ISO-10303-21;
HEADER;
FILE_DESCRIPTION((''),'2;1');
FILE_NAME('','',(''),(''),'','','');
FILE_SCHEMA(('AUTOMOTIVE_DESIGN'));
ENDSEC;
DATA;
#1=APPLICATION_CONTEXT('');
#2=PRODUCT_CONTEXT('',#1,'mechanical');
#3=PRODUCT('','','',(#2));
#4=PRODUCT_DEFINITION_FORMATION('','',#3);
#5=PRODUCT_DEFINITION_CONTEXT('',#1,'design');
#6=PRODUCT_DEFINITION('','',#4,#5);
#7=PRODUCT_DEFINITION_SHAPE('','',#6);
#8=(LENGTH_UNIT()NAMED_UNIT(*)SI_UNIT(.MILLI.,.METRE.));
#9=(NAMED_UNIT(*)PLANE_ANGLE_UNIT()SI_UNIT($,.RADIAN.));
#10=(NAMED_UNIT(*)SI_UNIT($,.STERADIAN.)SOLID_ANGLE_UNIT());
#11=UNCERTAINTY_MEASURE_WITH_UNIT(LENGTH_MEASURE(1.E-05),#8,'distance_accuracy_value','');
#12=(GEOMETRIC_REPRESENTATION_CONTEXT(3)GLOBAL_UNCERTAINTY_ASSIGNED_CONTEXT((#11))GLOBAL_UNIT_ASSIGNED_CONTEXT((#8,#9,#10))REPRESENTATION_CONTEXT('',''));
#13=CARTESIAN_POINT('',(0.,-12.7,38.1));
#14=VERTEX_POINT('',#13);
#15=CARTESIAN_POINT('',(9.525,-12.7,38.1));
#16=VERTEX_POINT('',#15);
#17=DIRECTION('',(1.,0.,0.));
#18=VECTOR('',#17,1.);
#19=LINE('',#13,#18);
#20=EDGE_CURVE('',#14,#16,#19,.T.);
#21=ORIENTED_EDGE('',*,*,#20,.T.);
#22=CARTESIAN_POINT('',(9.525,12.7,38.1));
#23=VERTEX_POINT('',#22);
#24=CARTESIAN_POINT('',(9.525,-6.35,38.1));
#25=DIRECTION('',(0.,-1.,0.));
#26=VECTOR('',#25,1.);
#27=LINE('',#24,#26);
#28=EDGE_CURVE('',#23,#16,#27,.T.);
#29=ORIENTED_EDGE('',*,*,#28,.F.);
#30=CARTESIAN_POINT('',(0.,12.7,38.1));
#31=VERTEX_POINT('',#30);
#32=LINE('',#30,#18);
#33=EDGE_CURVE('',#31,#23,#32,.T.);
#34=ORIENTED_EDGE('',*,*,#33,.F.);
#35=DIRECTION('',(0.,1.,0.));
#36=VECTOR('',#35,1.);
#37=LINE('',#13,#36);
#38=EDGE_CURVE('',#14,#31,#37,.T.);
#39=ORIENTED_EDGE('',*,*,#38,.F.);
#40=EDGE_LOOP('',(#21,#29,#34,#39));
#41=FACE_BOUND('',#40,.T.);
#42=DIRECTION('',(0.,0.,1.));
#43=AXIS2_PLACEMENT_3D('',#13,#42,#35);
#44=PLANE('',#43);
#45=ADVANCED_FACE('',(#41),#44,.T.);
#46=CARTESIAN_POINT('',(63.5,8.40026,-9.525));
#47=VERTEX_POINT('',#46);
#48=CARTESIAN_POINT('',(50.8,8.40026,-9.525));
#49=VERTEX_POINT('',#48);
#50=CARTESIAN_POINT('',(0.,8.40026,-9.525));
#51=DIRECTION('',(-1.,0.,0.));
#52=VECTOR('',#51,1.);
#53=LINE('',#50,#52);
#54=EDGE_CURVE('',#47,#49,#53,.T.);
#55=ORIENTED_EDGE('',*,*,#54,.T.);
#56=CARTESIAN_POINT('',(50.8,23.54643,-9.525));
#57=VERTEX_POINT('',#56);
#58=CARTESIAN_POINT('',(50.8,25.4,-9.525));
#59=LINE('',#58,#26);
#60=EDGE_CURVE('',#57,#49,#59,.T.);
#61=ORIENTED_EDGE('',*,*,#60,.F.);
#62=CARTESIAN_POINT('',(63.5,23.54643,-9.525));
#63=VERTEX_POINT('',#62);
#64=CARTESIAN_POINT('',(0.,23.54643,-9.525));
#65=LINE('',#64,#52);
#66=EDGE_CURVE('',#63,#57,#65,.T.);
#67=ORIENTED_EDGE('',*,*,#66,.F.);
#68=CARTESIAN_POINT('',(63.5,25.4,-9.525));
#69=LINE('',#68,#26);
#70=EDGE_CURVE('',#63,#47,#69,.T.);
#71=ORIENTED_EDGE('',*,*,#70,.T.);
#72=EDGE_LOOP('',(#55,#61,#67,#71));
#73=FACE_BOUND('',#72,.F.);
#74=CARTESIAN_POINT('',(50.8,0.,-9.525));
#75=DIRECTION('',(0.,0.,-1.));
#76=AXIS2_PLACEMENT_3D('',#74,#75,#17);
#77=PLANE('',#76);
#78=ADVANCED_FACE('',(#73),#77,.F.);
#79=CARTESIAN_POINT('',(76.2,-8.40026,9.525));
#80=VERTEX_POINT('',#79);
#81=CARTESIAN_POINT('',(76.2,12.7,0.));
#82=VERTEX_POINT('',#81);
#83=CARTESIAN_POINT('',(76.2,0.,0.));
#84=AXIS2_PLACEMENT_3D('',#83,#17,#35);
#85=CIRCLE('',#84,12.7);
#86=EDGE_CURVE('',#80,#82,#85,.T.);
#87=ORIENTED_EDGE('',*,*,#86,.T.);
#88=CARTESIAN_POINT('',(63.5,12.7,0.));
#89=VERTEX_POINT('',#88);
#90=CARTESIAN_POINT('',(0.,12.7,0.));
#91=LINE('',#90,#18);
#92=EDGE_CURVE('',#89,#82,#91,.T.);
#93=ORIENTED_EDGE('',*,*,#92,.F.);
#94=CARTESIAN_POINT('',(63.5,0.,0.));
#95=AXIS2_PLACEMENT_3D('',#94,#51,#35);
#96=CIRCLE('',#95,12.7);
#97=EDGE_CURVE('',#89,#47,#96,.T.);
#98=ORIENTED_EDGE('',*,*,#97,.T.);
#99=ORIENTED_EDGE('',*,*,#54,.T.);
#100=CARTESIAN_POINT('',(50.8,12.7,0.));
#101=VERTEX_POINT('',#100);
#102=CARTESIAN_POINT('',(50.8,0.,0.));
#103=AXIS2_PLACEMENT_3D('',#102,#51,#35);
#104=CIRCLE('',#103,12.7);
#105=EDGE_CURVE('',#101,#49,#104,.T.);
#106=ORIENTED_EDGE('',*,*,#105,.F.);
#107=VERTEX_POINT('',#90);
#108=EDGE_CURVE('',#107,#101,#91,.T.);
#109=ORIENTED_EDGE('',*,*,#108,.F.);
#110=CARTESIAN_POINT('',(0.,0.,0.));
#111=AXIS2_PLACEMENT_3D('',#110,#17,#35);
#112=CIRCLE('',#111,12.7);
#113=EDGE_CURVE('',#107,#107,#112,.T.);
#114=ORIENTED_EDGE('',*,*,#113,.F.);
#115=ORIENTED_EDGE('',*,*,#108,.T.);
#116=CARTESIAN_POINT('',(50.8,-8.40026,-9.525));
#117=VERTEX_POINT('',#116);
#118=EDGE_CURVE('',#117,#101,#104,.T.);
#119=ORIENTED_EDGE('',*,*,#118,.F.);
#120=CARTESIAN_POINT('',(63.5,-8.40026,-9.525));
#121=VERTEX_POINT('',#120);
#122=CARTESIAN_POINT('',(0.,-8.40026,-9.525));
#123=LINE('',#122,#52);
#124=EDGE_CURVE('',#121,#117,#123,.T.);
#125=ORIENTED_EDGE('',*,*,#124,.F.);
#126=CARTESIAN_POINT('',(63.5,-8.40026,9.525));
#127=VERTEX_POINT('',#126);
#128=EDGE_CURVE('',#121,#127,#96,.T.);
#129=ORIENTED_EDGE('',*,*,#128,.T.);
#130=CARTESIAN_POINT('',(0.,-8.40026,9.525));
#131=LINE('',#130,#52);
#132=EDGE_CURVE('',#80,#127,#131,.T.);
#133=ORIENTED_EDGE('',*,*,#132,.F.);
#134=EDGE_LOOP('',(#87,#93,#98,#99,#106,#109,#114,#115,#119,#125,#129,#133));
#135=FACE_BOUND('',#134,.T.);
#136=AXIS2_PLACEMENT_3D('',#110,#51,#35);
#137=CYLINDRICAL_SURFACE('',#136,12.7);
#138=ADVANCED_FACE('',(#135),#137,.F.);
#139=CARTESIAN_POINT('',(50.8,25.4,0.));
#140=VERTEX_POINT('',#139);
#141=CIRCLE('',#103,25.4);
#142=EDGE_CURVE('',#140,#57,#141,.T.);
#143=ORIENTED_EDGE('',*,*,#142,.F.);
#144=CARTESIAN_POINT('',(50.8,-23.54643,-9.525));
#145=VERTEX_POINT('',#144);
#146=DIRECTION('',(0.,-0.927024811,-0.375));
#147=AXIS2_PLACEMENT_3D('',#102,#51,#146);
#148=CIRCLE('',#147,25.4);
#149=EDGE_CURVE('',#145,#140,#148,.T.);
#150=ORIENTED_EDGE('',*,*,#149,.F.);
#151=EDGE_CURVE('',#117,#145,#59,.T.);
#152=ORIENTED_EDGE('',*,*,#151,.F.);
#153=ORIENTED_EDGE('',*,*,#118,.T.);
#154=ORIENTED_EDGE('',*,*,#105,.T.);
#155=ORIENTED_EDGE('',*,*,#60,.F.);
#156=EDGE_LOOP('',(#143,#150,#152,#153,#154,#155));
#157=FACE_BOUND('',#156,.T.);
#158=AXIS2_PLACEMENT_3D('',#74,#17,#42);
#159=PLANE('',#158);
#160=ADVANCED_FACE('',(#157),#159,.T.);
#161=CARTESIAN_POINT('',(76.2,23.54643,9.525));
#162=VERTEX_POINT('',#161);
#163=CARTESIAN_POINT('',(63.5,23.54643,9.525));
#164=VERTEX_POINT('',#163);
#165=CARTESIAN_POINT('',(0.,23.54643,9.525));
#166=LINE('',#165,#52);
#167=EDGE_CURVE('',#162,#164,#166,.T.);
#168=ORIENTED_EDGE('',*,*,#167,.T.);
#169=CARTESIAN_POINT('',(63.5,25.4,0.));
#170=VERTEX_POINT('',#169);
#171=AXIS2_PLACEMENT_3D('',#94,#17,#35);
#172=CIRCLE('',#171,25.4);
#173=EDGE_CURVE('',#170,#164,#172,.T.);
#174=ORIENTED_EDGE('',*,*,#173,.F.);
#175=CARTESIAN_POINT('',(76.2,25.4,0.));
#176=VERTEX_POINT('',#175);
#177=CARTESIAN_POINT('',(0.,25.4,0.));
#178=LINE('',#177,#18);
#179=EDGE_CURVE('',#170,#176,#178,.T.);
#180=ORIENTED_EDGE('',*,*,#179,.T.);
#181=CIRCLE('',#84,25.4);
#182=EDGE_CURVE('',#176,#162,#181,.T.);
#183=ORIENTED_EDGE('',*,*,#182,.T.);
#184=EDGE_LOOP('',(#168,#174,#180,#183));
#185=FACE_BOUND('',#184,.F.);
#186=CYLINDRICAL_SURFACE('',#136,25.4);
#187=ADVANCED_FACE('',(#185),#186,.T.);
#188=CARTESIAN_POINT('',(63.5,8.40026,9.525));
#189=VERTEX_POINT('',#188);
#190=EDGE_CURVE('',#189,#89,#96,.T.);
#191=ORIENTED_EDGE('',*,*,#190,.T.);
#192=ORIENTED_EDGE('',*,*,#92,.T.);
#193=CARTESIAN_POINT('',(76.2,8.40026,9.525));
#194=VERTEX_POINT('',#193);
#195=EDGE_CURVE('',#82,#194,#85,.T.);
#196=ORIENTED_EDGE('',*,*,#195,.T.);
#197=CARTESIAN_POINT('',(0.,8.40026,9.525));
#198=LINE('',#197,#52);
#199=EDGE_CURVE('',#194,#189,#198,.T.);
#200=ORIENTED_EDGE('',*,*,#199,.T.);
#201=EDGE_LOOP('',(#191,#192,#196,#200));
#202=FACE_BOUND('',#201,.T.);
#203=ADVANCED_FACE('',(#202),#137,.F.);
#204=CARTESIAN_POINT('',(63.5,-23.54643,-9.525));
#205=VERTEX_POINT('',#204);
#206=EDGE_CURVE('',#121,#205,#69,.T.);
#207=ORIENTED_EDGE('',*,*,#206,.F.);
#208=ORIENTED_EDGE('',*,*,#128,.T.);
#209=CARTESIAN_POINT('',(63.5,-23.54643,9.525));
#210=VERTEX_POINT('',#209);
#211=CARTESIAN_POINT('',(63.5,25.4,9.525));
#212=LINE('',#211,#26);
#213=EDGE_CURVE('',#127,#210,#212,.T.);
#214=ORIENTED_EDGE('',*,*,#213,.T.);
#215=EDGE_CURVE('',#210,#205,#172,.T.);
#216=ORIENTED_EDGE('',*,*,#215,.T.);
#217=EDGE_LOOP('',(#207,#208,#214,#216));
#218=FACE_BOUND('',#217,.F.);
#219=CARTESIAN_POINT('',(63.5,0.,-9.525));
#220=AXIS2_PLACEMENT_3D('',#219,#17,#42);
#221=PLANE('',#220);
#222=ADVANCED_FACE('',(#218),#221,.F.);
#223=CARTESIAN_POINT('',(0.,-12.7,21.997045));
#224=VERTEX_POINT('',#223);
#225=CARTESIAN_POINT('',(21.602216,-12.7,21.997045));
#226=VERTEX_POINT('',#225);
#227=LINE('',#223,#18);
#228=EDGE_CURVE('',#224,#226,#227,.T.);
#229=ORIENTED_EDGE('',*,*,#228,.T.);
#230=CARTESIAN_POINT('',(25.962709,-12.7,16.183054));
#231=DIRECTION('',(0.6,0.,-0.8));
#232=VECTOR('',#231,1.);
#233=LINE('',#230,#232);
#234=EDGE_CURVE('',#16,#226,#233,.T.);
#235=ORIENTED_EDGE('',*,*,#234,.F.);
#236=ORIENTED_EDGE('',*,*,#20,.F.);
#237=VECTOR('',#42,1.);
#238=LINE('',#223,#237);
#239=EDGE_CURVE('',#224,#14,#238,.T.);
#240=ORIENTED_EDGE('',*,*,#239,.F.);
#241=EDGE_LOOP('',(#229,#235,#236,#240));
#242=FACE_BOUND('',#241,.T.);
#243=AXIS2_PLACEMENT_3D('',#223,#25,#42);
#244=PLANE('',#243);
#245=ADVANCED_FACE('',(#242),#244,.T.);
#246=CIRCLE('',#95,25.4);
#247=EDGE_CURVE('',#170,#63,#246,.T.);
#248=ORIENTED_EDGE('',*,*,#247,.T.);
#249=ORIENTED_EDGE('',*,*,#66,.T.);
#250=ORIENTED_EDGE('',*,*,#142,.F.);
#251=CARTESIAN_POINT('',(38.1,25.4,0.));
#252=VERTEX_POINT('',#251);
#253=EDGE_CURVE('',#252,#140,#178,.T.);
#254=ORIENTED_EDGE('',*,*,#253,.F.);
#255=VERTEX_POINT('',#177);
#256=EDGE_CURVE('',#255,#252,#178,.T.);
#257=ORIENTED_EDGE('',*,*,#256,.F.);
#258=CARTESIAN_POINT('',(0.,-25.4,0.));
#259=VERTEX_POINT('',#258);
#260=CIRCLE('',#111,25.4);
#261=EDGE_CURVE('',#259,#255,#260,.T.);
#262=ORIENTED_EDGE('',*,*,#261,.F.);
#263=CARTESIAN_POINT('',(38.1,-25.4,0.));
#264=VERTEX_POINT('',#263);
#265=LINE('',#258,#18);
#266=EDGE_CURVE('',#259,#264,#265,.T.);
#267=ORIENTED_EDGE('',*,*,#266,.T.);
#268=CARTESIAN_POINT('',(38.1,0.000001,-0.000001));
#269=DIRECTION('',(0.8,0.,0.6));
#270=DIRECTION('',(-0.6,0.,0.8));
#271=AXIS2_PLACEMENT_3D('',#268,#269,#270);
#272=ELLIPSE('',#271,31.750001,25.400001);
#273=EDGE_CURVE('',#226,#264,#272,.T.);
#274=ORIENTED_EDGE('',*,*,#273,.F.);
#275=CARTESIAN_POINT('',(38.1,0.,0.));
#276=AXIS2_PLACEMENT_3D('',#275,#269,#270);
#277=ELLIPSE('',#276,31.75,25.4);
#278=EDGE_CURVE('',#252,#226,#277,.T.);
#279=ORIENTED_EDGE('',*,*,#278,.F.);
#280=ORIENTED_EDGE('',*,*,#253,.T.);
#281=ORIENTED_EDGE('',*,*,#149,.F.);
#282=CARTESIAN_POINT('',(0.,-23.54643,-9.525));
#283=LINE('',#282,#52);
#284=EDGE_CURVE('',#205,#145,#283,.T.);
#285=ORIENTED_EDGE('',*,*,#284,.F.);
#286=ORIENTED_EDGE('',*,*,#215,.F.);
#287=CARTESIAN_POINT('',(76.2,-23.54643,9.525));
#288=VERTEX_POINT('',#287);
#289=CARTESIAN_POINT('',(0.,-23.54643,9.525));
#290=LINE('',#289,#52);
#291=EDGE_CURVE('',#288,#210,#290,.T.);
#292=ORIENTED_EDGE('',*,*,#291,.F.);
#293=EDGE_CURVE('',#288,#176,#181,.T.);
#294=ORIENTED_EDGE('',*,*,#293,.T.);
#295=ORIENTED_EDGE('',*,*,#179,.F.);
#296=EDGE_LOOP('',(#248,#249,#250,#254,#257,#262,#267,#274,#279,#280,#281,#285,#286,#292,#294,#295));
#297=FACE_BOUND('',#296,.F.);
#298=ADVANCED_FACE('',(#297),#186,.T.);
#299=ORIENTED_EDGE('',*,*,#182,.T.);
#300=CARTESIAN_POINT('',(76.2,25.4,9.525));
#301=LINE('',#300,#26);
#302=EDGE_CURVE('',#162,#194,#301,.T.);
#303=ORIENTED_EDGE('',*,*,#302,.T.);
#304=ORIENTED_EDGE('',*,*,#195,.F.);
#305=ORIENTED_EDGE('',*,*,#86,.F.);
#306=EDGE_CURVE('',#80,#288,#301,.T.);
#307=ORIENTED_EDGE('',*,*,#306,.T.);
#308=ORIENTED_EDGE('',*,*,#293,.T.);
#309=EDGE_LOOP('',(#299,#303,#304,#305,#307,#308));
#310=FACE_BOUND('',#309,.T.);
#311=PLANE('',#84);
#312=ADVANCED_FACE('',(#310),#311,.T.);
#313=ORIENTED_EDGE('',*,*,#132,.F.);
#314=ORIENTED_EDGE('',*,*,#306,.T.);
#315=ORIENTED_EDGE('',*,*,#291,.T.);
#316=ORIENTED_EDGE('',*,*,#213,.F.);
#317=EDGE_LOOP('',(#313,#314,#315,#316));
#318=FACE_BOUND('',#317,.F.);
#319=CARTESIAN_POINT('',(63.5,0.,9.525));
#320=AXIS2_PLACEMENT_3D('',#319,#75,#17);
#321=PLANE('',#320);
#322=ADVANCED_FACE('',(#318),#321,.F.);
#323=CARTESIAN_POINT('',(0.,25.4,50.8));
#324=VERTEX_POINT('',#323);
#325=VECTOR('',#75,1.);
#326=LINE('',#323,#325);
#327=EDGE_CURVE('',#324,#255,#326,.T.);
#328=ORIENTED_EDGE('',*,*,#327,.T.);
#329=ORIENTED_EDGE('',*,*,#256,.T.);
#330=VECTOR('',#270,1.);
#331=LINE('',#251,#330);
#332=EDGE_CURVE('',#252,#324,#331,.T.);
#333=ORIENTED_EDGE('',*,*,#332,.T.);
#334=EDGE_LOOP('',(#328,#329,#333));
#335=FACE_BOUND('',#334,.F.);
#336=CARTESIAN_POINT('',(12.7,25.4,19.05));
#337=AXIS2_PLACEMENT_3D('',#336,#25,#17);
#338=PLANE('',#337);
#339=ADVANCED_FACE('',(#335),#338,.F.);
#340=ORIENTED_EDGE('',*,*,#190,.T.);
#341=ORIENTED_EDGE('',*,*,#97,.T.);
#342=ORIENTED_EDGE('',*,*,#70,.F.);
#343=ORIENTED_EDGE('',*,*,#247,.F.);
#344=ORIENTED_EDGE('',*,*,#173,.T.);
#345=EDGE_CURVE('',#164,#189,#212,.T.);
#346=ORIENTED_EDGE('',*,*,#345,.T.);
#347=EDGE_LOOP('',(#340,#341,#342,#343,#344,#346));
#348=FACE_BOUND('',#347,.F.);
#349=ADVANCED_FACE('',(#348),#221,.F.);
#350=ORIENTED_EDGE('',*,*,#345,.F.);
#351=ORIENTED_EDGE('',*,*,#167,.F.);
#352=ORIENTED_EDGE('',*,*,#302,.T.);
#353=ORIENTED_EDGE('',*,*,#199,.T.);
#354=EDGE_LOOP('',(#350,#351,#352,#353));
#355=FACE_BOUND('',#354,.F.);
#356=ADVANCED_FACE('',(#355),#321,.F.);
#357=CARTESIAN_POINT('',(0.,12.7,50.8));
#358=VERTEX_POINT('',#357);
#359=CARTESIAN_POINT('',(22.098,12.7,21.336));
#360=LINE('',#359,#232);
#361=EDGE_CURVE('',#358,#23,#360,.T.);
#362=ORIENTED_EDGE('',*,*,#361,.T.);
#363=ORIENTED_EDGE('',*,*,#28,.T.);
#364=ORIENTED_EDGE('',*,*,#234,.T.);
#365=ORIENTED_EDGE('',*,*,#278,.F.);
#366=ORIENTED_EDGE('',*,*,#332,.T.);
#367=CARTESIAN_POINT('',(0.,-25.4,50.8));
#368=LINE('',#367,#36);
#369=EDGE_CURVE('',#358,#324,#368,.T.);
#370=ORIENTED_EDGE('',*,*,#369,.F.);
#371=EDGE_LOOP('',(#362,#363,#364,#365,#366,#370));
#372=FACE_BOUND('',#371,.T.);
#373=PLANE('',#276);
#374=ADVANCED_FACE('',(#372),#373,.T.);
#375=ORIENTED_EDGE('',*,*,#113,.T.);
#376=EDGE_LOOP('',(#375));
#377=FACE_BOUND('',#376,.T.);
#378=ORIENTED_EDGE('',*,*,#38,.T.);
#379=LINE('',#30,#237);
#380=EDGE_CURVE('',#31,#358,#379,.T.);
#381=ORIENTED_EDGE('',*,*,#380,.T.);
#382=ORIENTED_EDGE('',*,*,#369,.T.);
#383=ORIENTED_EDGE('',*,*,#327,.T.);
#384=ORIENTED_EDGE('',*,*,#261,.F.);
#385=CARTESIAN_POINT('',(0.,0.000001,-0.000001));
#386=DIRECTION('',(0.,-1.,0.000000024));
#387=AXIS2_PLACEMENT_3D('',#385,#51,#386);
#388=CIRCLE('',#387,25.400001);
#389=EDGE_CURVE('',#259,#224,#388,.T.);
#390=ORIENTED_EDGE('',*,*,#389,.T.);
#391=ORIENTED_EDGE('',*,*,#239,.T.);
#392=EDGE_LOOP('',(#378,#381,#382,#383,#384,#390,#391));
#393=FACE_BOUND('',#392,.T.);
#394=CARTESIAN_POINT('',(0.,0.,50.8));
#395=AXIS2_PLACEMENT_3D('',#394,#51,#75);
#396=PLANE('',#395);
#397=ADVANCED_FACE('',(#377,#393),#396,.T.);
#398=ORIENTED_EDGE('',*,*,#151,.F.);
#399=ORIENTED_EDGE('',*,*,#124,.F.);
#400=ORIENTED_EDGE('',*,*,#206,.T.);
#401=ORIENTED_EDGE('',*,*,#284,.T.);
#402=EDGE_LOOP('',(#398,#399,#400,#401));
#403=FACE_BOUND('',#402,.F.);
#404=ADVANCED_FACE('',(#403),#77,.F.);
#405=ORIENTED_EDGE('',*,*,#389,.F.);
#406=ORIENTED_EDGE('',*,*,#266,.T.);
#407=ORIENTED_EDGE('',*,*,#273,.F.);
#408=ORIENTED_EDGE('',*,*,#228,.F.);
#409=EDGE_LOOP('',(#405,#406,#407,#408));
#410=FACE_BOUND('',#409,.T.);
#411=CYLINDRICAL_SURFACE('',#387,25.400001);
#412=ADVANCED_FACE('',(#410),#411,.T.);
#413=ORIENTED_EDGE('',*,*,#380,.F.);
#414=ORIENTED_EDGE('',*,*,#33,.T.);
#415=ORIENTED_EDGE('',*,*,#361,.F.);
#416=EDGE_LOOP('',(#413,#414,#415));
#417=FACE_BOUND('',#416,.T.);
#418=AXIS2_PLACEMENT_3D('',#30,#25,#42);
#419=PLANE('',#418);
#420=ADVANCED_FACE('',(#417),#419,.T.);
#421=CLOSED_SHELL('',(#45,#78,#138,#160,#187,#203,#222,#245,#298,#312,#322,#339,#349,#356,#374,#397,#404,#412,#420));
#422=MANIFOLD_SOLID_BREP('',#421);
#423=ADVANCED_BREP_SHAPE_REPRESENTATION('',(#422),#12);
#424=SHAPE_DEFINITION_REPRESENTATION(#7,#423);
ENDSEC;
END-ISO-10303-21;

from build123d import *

# Parameters (mm, degrees)
F4_DEPTH  = 25.4
F5_DEPTH  = 50.8
F0_R      = 25.4
F0_R_2    = 12.7
F6_DEPTH  = 76.2
F7_DEPTH  = 76.2
F1_W      = 12.7
F1_H      = 34.925
F8_DEPTH  = 25.4
F9_W      = 12.7
F9_H      = 15.875
F10_DEPTH = 25.4


with BuildPart() as f4:
    # F2 (on Front) → F4 (new body, symmetric)
    with BuildSketch(Plane.XZ):
        Polygon((0, 50.8), (0, 0), (38.1, 0), align=None)
    extrude(amount=F4_DEPTH, both=True)

    # F3 (on Right) → F5 (cut)
    with BuildSketch(Plane.YZ):
        with BuildLine():
            ThreePointArc((-25.4, 0), (-21.997045, 12.7), (-12.7, 21.997045))
            Line((-12.7, 21.997045), (-12.7, 38.1))
            Line((-12.7, 38.1), (12.7, 38.1))
            Line((12.7, 38.1), (12.7, 50.8))
            Line((12.7, 50.8), (-25.4, 50.8))
            Line((-25.4, 50.8), (-25.4, 0))
        make_face()
    extrude(amount=F5_DEPTH, mode=Mode.SUBTRACT)

    # F0 (on Right) → F6 (join)
    with BuildSketch(Plane.YZ):
        Circle(F0_R)
        Circle(F0_R_2, mode=Mode.SUBTRACT)
    extrude(amount=F6_DEPTH)

    # F0 (on Right) → F7 (cut)
    with BuildSketch(Plane.YZ):
        Circle(F0_R_2)
    extrude(amount=F7_DEPTH, mode=Mode.SUBTRACT)

    # F1 (on Front) → F8 (cut, symmetric)
    with BuildSketch(Plane.XZ):
        with Locations((57.15, 7.9375)):
            Rectangle(F1_W, F1_H)
    extrude(amount=F8_DEPTH, both=True, mode=Mode.SUBTRACT)

    # F9 (on Front) → F10 (cut, symmetric)
    with BuildSketch(Plane.XZ):
        with Locations((69.85, 17.4625)):
            Rectangle(F9_W, F9_H)
    extrude(amount=F10_DEPTH, both=True, mode=Mode.SUBTRACT)


solid = f4.part
